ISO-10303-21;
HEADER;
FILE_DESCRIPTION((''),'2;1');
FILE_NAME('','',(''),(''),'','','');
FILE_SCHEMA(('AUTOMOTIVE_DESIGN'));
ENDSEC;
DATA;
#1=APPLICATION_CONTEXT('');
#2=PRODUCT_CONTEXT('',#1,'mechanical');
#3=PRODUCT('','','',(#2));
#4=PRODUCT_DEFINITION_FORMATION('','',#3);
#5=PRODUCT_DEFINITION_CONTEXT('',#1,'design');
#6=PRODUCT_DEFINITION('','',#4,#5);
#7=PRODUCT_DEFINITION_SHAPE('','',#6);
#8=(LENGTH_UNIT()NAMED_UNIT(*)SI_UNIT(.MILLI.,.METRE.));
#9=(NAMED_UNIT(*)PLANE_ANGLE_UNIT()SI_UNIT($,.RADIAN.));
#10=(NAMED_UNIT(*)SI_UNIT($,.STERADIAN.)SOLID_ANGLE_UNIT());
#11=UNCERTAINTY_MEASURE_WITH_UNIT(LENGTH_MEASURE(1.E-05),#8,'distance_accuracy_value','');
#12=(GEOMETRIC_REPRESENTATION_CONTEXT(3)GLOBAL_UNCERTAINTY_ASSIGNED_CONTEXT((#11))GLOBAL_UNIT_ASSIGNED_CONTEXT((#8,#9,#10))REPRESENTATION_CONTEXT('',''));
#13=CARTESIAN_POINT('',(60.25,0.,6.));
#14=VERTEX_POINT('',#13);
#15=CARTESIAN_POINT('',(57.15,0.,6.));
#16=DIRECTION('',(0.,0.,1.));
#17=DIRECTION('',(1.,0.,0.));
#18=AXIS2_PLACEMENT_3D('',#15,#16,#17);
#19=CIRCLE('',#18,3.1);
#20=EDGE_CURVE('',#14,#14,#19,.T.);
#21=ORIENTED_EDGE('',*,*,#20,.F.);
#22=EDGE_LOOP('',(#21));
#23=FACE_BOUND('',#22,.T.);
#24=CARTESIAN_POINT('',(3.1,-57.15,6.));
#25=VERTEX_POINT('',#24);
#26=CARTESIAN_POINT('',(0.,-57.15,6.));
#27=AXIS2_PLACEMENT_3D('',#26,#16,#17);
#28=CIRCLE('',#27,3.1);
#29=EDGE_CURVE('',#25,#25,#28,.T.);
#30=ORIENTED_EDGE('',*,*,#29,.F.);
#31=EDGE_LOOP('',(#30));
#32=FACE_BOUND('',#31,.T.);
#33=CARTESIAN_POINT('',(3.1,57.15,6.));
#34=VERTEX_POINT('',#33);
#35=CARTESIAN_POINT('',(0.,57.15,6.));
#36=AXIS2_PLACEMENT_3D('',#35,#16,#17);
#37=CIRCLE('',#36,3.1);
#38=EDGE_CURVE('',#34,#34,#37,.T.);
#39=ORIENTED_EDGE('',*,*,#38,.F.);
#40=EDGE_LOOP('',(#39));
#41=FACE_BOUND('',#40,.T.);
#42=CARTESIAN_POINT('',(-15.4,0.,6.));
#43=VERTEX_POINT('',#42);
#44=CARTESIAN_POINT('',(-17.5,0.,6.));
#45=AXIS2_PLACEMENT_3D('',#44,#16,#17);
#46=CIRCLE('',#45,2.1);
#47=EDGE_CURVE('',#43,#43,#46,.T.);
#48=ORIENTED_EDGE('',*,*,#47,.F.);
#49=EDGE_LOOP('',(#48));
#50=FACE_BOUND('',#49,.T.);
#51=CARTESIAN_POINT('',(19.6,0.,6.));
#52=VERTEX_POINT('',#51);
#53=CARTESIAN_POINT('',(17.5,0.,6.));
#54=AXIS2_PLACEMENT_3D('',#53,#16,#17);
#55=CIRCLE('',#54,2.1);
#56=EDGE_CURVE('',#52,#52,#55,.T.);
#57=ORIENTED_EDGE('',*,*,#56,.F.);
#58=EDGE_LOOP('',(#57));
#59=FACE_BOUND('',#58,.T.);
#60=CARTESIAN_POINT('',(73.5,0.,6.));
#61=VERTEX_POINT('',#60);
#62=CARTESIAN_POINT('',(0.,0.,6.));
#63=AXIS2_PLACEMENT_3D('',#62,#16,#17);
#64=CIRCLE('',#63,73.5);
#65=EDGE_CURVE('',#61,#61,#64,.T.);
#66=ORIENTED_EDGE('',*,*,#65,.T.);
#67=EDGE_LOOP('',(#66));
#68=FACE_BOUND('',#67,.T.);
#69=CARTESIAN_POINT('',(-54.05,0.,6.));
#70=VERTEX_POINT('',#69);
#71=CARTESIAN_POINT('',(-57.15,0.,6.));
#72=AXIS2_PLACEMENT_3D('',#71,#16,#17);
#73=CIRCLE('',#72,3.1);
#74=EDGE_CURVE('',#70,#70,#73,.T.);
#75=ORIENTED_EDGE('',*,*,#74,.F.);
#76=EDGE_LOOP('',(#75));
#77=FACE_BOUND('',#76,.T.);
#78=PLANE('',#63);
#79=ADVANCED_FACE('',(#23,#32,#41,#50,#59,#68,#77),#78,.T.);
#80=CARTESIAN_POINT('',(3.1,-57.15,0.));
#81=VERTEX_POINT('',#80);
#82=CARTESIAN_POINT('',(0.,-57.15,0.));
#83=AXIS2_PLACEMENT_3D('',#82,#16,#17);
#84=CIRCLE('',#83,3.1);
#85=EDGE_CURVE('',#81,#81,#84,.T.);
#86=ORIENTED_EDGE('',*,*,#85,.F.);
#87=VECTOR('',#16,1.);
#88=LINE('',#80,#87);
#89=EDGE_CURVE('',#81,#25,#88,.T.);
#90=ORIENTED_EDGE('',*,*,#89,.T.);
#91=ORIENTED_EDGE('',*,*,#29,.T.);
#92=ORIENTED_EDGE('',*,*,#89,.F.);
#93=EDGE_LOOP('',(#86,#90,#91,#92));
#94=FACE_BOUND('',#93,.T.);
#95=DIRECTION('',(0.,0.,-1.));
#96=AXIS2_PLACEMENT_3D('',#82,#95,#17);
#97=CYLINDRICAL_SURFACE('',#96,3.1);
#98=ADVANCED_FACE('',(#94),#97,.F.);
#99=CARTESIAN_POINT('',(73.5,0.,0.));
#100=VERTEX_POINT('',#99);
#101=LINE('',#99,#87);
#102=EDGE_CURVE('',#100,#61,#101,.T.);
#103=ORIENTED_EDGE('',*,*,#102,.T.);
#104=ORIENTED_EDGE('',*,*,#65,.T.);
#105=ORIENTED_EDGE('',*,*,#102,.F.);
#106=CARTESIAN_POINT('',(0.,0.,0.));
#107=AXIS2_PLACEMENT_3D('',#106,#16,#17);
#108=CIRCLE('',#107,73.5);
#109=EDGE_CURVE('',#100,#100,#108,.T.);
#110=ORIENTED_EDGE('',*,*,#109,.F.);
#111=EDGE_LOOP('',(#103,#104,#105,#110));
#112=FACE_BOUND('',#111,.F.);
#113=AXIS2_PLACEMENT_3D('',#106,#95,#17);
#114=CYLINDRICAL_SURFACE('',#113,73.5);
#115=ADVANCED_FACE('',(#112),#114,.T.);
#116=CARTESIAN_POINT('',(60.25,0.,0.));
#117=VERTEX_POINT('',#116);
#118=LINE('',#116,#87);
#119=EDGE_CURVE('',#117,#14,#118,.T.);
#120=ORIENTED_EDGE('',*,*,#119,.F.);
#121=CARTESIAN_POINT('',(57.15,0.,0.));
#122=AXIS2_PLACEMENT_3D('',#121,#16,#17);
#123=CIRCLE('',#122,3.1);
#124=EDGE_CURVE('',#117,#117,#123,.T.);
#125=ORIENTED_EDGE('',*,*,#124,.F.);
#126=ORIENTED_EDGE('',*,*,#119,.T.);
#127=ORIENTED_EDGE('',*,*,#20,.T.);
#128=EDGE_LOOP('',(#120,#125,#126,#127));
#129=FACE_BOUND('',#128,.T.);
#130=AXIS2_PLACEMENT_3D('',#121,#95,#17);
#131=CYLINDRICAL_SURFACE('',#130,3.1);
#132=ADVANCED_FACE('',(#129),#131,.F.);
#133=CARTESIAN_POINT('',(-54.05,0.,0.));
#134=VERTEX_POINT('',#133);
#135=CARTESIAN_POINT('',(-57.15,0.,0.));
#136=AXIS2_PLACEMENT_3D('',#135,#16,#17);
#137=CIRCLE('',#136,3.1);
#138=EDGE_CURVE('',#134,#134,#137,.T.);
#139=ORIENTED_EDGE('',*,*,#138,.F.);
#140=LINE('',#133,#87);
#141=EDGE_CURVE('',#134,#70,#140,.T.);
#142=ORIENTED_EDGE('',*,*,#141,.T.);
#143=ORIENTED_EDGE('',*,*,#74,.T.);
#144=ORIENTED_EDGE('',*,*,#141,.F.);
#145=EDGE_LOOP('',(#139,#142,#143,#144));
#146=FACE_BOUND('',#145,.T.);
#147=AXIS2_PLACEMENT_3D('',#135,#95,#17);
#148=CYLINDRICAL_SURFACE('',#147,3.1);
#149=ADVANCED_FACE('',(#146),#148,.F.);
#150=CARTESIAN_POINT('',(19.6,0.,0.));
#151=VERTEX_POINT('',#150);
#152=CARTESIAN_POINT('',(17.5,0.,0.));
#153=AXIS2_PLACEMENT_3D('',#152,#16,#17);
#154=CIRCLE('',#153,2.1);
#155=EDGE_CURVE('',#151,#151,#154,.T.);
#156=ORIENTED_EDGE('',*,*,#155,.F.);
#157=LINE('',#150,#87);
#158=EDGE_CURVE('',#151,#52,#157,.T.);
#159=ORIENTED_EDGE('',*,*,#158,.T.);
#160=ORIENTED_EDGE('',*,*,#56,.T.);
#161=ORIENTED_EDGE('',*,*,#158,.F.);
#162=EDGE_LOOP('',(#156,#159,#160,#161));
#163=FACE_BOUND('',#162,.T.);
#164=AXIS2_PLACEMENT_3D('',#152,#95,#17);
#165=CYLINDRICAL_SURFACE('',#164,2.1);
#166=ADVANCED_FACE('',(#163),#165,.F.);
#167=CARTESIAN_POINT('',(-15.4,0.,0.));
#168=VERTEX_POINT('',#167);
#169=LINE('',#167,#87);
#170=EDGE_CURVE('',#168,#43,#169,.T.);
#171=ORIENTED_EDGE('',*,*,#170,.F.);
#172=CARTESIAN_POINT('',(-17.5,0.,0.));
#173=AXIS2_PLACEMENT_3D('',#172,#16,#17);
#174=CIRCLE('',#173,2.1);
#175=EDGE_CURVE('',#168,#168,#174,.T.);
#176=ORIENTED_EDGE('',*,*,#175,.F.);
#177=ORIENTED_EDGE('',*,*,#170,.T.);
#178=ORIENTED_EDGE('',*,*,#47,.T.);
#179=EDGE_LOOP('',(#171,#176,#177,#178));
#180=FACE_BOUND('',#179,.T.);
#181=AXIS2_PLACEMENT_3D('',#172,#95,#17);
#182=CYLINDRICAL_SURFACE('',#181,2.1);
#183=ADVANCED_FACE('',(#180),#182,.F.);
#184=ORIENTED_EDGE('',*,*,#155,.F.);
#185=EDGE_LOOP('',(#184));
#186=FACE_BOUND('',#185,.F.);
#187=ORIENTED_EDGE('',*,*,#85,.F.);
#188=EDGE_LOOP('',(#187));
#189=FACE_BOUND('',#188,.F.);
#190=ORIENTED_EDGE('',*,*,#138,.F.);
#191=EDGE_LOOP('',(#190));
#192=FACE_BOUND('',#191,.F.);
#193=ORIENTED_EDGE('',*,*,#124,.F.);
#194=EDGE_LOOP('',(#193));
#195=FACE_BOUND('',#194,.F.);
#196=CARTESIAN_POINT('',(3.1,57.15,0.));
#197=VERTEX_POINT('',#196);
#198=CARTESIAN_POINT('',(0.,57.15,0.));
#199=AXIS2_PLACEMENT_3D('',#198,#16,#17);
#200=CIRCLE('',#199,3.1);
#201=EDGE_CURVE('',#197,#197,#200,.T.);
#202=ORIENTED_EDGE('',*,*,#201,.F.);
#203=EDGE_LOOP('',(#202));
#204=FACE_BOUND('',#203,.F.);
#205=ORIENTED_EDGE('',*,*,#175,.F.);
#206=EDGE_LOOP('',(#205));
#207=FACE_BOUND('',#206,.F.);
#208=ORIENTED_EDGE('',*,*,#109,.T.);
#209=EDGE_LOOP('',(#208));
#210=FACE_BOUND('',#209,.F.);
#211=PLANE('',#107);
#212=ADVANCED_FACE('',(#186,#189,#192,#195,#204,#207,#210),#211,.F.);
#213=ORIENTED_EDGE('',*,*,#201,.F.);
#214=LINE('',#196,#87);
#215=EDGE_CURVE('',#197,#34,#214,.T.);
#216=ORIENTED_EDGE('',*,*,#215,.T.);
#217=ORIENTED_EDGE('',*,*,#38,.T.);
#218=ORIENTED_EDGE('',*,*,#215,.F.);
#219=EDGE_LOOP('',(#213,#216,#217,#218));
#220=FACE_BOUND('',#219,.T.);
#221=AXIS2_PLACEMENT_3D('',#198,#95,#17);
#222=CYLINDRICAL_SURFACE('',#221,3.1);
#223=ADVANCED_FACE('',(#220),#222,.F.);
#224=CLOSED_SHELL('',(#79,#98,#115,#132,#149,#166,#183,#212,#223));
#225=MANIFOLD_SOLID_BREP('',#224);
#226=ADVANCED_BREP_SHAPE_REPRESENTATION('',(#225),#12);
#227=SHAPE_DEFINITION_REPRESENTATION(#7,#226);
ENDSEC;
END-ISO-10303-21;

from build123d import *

# Parameters (mm, degrees)
F0_R     = 73.5
F0_R_2   = 3.1
F0_R_3   = 2.1
F1_DEPTH = 6


with BuildPart() as f1:
    # F0 (on Top) → F1 (new body)
    with BuildSketch(Plane.XY):
        Circle(F0_R)
        with Locations((0, -57.15)):
            Circle(F0_R_2, mode=Mode.SUBTRACT)
        with Locations((-57.15, 0)):
            Circle(F0_R_2, mode=Mode.SUBTRACT)
        with Locations((-17.5, 0)):
            Circle(F0_R_3, mode=Mode.SUBTRACT)
        with Locations((17.5, 0)):
            Circle(F0_R_3, mode=Mode.SUBTRACT)
        with Locations((57.15, 0)):
            Circle(F0_R_2, mode=Mode.SUBTRACT)
        with Locations((0, 57.15)):
            Circle(F0_R_2, mode=Mode.SUBTRACT)
    extrude(amount=F1_DEPTH)


solid = f1.part
